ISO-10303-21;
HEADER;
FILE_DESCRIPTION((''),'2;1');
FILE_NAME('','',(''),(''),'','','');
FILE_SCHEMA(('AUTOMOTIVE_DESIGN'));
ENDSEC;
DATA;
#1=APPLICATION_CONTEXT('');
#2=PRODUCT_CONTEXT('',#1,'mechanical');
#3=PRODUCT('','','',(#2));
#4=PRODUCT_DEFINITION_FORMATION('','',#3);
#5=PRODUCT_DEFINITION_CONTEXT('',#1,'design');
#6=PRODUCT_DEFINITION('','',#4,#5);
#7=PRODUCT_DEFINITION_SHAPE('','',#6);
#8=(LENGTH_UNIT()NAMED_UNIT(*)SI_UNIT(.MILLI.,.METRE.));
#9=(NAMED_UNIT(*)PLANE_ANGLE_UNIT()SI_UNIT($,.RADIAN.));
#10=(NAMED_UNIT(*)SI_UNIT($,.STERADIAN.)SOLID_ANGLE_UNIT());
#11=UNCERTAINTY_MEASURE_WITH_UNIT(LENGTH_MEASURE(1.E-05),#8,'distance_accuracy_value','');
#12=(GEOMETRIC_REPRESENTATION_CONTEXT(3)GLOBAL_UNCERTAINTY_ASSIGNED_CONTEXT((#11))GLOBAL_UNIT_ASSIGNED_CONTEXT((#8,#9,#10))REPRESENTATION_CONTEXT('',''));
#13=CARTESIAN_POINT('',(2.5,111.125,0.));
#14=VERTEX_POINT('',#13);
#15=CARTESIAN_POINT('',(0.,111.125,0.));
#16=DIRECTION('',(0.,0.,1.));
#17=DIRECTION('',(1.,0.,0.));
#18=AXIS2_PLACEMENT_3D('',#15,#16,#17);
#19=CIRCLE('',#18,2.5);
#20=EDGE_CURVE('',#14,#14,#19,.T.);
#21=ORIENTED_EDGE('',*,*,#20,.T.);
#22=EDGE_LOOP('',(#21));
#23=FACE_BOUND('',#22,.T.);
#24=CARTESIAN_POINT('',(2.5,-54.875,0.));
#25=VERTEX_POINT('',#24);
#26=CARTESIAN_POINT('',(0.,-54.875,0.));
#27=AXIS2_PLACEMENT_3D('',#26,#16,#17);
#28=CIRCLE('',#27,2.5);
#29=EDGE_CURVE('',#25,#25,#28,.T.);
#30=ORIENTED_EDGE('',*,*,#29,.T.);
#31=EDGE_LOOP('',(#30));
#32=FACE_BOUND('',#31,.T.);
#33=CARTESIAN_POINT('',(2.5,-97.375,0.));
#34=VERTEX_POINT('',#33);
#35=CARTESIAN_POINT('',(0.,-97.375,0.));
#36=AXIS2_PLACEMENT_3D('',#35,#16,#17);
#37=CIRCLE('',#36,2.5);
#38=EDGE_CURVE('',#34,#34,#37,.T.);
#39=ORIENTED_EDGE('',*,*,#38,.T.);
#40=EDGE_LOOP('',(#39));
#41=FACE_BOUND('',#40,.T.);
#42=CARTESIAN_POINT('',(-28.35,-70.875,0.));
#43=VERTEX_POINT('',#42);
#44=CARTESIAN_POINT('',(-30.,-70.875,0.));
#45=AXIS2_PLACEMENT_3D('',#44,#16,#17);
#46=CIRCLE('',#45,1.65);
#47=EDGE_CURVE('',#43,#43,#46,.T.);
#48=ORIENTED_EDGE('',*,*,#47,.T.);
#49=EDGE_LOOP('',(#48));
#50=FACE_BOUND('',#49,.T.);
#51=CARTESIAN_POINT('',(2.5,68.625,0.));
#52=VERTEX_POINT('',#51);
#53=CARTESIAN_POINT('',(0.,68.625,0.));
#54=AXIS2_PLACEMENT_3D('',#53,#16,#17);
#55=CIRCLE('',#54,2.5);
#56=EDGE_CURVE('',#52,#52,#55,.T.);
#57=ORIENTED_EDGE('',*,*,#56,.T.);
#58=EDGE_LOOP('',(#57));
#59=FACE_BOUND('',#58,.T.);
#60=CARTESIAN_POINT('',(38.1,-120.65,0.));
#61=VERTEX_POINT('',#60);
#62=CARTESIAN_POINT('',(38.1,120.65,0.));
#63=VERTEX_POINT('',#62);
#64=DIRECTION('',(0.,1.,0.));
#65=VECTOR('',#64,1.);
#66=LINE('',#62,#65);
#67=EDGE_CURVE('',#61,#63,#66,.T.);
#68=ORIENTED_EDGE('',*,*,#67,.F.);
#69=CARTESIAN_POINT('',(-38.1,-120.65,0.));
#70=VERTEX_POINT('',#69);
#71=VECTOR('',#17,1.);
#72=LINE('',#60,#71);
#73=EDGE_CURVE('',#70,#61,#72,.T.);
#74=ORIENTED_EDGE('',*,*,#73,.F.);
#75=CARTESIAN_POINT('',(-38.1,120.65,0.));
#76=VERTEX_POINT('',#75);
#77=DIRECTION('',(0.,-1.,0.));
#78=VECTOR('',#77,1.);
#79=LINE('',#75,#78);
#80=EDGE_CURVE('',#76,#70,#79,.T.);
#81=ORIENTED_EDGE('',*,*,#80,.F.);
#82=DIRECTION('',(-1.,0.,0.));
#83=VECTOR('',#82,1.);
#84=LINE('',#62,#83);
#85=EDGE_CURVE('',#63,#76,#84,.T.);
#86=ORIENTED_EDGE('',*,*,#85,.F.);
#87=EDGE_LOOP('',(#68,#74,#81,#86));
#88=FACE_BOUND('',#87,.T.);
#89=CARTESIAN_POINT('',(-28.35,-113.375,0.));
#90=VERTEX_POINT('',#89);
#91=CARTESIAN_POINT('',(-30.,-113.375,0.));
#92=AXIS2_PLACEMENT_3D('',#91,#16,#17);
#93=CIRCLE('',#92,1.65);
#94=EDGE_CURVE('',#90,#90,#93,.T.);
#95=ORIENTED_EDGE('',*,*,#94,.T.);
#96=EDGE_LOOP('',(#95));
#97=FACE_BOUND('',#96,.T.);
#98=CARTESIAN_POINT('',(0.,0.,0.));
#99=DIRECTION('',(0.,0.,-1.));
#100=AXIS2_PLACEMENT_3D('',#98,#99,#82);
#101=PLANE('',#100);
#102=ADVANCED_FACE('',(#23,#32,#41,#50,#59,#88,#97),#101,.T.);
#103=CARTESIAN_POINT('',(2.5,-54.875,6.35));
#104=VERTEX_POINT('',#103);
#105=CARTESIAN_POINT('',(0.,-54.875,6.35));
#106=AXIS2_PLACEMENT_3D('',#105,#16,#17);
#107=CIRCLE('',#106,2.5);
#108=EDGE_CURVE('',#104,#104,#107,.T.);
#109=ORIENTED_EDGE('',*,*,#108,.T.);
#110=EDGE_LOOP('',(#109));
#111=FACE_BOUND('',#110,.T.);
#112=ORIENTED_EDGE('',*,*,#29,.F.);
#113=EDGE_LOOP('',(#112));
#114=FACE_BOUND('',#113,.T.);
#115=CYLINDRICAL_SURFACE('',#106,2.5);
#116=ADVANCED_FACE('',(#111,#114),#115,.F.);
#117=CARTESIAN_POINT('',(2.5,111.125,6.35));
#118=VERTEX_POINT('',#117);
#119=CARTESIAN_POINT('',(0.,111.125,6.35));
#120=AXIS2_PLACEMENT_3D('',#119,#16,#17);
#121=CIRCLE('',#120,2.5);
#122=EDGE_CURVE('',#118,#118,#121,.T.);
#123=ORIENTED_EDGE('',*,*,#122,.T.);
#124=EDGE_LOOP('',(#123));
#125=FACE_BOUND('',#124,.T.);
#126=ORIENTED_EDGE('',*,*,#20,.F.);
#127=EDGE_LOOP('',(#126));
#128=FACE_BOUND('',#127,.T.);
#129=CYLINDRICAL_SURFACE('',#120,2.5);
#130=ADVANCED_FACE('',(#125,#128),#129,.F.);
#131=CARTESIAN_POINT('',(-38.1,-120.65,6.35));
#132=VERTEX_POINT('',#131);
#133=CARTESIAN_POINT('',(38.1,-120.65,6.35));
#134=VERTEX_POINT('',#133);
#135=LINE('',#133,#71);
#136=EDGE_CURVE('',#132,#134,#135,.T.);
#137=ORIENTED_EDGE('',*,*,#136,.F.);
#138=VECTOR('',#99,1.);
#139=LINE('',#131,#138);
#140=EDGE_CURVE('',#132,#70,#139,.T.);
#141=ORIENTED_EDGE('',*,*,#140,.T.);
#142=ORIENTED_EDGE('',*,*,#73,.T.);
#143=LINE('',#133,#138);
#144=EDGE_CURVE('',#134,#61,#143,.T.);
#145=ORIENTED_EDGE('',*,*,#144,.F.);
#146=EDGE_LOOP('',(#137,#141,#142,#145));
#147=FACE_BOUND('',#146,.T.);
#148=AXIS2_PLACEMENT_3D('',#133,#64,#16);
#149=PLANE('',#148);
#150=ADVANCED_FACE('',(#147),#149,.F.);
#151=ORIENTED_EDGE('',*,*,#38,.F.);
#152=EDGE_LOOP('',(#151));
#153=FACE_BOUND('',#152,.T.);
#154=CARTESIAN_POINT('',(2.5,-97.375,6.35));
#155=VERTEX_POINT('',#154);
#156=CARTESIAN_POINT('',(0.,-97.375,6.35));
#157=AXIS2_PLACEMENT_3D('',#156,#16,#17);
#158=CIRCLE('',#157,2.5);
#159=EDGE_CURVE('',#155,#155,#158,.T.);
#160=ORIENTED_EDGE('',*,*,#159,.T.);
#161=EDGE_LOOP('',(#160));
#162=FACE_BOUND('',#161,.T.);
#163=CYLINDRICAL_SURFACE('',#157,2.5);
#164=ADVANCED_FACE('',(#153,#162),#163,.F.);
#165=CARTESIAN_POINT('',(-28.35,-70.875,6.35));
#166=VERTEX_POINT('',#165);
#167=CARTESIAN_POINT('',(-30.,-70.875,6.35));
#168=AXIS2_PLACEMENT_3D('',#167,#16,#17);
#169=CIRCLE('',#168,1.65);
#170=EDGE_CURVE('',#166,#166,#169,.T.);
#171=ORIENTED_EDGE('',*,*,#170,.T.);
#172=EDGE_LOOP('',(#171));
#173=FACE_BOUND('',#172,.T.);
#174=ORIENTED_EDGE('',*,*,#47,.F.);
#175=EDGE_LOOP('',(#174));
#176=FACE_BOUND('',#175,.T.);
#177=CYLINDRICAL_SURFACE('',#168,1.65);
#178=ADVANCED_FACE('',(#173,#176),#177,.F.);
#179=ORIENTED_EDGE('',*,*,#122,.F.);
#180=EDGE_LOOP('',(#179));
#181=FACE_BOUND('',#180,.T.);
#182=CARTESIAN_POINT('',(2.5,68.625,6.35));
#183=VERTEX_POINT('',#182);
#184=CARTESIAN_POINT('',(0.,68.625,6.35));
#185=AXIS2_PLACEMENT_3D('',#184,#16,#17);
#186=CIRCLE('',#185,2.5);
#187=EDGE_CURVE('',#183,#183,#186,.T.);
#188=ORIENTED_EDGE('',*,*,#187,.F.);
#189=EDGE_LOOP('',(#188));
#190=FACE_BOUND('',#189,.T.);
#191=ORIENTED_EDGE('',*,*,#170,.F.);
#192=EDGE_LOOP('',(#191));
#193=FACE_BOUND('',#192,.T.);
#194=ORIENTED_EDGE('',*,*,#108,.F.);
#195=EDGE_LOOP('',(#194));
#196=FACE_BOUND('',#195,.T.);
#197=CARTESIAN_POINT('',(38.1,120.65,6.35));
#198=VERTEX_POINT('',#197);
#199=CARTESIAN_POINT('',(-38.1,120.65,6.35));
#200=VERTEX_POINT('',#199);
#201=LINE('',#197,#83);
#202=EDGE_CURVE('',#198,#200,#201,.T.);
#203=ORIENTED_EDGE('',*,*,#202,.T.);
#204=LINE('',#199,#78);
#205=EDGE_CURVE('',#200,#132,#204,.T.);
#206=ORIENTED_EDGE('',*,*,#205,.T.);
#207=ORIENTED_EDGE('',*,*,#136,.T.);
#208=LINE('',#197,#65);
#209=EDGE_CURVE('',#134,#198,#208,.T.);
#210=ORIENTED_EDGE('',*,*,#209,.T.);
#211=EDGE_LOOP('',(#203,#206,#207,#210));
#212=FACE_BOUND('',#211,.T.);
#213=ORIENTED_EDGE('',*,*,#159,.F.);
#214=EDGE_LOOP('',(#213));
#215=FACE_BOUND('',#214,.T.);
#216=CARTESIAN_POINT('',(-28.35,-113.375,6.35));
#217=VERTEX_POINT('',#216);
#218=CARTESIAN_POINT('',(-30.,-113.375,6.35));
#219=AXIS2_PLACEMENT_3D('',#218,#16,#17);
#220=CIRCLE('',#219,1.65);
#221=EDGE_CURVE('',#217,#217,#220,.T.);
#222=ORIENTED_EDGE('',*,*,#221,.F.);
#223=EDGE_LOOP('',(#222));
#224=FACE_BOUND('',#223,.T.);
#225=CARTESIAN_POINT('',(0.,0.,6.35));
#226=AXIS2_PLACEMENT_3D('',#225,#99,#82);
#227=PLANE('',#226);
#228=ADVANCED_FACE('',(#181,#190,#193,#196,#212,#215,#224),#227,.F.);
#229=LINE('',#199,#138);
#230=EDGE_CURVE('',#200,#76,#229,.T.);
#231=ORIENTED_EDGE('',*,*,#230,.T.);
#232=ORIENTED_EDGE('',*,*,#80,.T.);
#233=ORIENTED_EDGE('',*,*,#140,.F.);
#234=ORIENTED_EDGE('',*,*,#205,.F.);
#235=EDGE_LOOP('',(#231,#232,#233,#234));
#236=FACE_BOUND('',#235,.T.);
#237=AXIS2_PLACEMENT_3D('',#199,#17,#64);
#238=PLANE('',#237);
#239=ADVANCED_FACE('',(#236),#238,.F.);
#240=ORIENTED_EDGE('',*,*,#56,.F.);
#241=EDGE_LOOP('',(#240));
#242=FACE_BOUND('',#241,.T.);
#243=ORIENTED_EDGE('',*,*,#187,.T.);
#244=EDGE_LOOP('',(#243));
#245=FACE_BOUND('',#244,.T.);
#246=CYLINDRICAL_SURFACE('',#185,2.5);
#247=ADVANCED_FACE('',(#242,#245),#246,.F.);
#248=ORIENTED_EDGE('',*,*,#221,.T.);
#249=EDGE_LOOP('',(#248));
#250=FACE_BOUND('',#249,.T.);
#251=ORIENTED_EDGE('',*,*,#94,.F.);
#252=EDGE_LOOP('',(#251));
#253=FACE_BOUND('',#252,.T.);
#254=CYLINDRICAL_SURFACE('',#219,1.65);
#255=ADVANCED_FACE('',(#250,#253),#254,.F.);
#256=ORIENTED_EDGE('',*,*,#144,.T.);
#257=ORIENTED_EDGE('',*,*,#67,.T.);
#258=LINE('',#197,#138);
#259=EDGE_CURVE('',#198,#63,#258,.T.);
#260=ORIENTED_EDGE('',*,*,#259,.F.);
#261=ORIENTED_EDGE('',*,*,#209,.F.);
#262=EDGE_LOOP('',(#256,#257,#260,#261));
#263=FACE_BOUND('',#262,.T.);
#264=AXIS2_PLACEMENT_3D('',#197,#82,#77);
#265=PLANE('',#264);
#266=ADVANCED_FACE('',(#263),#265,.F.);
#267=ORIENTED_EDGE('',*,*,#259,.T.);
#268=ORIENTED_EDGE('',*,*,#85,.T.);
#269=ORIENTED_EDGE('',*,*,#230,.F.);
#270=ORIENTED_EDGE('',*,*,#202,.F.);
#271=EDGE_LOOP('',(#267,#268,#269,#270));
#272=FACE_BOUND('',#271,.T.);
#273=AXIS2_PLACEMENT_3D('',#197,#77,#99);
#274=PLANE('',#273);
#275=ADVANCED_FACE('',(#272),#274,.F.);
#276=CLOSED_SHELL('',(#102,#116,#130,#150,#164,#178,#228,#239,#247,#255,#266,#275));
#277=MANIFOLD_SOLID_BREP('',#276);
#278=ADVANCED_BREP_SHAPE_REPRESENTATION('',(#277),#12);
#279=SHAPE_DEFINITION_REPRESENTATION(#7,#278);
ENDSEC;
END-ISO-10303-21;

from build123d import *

# Parameters (mm, degrees)
SKETCH1_W           = 76.2
SKETCH1_H           = 241.3
BOSS_EXTRUDE1_DEPTH = 6.35
M6_TAPPED_HOLE1_D   = 5
M4_TAPPED_HOLE1_D   = 3.3


with BuildPart() as part:
    # Sketch1 → Boss-Extrude1 (new body)
    with BuildSketch(Plane.XY):
        Rectangle(SKETCH1_W, SKETCH1_H)
    extrude(amount=BOSS_EXTRUDE1_DEPTH)

    # M6 Tapped Hole1 (through all)
    with Locations(Plane.XY.offset(6.35)):
        with Locations((0, -97.375), (0, 111.125), (0, -54.875), (0, 68.625)):
            Hole(M6_TAPPED_HOLE1_D / 2)

    # M4 Tapped Hole1 (through all)
    with Locations(Plane.XY.offset(6.35)):
        with Locations((-30, -70.875), (-30, -113.375)):
            Hole(M4_TAPPED_HOLE1_D / 2)


solid = part.part
